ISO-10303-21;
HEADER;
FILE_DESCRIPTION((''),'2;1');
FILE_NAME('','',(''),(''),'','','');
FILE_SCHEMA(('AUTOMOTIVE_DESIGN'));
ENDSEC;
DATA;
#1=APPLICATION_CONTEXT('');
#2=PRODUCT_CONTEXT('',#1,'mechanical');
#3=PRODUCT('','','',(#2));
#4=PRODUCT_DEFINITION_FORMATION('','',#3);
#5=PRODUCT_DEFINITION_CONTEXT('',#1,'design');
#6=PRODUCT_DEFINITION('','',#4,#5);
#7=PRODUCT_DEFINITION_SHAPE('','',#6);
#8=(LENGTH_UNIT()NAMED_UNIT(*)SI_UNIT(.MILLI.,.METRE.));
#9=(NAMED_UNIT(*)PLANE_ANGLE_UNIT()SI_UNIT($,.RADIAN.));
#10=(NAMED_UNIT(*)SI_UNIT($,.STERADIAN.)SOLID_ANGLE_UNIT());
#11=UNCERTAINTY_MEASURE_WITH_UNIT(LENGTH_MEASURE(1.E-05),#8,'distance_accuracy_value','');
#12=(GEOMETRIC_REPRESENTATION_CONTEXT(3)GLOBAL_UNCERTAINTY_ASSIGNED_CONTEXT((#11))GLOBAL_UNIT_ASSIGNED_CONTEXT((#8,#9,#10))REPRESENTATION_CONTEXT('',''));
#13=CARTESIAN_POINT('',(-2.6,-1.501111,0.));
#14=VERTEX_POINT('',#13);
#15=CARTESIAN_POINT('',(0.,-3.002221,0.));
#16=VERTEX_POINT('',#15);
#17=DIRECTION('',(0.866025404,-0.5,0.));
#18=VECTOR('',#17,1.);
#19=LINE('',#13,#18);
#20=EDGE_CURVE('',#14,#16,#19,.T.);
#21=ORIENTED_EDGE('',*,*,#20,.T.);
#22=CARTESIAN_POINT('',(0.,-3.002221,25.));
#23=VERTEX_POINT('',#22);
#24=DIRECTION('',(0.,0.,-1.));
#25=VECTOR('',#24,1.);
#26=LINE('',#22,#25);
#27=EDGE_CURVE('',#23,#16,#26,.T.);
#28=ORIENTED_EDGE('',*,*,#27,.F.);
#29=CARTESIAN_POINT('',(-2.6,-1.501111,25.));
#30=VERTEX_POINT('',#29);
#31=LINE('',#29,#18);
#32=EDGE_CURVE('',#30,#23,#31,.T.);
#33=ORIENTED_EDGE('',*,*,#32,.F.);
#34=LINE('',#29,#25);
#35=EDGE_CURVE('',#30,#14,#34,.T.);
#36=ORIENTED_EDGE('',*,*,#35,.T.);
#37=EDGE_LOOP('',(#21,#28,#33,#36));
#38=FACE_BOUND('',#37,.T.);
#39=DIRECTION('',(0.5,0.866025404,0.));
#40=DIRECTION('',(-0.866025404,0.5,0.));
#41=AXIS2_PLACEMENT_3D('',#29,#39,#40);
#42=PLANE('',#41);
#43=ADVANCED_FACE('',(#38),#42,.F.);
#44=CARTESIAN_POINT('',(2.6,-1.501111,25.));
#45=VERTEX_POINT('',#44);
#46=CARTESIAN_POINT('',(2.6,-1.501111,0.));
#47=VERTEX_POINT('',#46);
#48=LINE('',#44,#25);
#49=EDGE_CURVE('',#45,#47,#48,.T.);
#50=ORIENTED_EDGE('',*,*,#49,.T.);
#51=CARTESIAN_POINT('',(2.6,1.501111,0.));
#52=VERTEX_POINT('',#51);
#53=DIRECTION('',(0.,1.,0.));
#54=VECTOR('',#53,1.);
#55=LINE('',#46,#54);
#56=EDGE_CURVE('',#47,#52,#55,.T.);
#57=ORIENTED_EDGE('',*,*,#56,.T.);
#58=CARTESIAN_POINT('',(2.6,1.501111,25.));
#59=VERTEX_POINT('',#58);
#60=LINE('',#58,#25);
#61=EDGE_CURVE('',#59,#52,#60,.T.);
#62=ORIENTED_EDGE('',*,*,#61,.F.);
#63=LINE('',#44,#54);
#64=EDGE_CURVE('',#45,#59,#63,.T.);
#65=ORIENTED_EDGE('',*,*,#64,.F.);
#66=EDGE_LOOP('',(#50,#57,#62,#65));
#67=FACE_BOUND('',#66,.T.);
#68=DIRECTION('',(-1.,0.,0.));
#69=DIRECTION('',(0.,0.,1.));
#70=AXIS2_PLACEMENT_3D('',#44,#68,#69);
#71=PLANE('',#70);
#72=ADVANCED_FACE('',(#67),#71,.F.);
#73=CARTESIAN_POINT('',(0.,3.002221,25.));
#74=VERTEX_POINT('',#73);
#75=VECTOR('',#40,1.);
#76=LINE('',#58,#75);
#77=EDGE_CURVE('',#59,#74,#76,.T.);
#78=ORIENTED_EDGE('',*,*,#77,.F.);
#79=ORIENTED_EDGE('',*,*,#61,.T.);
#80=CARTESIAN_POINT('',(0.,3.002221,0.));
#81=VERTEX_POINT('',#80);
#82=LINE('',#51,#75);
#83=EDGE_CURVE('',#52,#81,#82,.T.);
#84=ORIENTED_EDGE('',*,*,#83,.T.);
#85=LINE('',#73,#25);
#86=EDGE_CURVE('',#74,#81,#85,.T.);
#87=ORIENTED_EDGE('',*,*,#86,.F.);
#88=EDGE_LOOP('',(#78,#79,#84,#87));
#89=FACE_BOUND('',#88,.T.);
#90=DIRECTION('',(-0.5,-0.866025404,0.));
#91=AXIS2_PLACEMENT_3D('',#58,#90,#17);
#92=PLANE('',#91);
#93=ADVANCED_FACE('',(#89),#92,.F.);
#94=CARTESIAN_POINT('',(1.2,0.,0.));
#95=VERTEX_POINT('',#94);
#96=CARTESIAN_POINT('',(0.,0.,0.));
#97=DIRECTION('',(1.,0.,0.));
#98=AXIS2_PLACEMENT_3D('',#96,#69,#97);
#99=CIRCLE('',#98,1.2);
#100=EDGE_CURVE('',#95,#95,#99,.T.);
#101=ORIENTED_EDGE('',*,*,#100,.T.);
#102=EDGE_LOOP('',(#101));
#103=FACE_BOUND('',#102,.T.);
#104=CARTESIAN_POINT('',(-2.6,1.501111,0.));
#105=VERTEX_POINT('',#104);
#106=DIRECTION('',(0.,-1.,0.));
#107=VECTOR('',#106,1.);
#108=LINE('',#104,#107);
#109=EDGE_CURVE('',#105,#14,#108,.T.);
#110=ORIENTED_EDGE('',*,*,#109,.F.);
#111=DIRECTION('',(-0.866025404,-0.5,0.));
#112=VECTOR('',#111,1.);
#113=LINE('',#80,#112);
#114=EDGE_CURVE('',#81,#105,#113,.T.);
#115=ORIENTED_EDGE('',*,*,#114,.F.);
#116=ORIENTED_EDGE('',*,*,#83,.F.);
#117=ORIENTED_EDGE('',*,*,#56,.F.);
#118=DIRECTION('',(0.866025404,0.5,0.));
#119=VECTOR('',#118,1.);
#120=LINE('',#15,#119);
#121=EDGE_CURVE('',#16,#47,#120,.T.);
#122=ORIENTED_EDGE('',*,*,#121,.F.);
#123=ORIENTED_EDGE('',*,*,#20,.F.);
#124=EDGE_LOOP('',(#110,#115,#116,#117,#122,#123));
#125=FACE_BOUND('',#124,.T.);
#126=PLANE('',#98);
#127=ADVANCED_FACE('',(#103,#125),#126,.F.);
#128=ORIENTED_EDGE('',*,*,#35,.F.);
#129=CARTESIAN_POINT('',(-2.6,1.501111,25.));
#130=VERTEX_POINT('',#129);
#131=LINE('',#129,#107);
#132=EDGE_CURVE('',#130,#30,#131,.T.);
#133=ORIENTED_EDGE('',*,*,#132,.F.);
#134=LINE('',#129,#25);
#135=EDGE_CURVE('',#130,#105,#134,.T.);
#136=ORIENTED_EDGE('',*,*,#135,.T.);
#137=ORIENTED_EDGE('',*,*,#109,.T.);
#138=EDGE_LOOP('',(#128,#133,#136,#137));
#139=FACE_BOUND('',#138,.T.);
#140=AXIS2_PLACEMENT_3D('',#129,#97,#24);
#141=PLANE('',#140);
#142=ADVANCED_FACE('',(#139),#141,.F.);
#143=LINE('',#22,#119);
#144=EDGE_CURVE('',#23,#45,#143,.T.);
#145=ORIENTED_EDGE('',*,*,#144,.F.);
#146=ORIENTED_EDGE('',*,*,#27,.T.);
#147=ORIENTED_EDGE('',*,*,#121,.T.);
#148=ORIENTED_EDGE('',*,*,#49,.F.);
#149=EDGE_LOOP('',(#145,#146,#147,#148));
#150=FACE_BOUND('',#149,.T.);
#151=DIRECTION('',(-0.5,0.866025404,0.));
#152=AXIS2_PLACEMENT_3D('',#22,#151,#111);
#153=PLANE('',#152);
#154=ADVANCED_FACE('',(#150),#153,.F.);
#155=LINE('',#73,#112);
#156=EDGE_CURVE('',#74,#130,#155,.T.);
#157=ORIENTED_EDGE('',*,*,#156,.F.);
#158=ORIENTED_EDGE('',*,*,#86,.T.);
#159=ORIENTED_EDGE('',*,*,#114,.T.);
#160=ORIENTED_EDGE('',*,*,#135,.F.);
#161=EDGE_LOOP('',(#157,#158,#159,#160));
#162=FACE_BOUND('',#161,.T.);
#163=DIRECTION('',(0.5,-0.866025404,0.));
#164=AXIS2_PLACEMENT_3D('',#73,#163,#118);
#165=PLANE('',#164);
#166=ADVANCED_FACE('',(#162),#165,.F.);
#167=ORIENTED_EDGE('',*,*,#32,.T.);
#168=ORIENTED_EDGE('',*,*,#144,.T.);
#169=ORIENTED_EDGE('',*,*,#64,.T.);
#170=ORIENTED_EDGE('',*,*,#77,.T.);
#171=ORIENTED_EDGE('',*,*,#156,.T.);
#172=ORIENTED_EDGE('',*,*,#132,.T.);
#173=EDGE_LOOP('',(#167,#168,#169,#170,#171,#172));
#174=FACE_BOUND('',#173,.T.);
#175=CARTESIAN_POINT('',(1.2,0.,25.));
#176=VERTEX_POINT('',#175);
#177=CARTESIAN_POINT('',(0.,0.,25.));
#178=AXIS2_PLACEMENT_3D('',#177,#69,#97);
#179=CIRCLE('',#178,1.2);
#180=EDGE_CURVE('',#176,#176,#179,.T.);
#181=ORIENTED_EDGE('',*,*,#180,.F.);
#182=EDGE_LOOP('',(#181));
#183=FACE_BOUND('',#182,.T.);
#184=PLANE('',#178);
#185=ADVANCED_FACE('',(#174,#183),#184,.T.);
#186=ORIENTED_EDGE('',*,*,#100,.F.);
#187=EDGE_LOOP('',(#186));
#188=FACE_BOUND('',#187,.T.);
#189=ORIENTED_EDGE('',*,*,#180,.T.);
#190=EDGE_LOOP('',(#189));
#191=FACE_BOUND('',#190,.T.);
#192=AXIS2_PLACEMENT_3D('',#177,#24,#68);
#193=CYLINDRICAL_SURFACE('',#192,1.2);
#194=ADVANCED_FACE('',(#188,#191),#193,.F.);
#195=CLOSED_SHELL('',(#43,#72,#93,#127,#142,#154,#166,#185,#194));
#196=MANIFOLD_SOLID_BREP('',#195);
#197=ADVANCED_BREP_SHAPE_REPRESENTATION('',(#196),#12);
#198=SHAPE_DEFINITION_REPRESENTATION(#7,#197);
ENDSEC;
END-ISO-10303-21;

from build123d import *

# Parameters (mm, degrees)
SKETCH_1_R      = 1.2
EXTRUDE_1_DEPTH = 25


with BuildPart() as part:
    # 草图1 → 凸台-拉伸1 (new body)
    with BuildSketch(Plane.XY):
        Polygon((-2.6, 1.5011107), (-2.6, -1.5011107), (0, -3.0022214), (2.6, -1.5011107), (2.6, 1.5011107), (0, 3.0022214), align=None)
        Circle(SKETCH_1_R, mode=Mode.SUBTRACT)
    extrude(amount=EXTRUDE_1_DEPTH)


solid = part.part
